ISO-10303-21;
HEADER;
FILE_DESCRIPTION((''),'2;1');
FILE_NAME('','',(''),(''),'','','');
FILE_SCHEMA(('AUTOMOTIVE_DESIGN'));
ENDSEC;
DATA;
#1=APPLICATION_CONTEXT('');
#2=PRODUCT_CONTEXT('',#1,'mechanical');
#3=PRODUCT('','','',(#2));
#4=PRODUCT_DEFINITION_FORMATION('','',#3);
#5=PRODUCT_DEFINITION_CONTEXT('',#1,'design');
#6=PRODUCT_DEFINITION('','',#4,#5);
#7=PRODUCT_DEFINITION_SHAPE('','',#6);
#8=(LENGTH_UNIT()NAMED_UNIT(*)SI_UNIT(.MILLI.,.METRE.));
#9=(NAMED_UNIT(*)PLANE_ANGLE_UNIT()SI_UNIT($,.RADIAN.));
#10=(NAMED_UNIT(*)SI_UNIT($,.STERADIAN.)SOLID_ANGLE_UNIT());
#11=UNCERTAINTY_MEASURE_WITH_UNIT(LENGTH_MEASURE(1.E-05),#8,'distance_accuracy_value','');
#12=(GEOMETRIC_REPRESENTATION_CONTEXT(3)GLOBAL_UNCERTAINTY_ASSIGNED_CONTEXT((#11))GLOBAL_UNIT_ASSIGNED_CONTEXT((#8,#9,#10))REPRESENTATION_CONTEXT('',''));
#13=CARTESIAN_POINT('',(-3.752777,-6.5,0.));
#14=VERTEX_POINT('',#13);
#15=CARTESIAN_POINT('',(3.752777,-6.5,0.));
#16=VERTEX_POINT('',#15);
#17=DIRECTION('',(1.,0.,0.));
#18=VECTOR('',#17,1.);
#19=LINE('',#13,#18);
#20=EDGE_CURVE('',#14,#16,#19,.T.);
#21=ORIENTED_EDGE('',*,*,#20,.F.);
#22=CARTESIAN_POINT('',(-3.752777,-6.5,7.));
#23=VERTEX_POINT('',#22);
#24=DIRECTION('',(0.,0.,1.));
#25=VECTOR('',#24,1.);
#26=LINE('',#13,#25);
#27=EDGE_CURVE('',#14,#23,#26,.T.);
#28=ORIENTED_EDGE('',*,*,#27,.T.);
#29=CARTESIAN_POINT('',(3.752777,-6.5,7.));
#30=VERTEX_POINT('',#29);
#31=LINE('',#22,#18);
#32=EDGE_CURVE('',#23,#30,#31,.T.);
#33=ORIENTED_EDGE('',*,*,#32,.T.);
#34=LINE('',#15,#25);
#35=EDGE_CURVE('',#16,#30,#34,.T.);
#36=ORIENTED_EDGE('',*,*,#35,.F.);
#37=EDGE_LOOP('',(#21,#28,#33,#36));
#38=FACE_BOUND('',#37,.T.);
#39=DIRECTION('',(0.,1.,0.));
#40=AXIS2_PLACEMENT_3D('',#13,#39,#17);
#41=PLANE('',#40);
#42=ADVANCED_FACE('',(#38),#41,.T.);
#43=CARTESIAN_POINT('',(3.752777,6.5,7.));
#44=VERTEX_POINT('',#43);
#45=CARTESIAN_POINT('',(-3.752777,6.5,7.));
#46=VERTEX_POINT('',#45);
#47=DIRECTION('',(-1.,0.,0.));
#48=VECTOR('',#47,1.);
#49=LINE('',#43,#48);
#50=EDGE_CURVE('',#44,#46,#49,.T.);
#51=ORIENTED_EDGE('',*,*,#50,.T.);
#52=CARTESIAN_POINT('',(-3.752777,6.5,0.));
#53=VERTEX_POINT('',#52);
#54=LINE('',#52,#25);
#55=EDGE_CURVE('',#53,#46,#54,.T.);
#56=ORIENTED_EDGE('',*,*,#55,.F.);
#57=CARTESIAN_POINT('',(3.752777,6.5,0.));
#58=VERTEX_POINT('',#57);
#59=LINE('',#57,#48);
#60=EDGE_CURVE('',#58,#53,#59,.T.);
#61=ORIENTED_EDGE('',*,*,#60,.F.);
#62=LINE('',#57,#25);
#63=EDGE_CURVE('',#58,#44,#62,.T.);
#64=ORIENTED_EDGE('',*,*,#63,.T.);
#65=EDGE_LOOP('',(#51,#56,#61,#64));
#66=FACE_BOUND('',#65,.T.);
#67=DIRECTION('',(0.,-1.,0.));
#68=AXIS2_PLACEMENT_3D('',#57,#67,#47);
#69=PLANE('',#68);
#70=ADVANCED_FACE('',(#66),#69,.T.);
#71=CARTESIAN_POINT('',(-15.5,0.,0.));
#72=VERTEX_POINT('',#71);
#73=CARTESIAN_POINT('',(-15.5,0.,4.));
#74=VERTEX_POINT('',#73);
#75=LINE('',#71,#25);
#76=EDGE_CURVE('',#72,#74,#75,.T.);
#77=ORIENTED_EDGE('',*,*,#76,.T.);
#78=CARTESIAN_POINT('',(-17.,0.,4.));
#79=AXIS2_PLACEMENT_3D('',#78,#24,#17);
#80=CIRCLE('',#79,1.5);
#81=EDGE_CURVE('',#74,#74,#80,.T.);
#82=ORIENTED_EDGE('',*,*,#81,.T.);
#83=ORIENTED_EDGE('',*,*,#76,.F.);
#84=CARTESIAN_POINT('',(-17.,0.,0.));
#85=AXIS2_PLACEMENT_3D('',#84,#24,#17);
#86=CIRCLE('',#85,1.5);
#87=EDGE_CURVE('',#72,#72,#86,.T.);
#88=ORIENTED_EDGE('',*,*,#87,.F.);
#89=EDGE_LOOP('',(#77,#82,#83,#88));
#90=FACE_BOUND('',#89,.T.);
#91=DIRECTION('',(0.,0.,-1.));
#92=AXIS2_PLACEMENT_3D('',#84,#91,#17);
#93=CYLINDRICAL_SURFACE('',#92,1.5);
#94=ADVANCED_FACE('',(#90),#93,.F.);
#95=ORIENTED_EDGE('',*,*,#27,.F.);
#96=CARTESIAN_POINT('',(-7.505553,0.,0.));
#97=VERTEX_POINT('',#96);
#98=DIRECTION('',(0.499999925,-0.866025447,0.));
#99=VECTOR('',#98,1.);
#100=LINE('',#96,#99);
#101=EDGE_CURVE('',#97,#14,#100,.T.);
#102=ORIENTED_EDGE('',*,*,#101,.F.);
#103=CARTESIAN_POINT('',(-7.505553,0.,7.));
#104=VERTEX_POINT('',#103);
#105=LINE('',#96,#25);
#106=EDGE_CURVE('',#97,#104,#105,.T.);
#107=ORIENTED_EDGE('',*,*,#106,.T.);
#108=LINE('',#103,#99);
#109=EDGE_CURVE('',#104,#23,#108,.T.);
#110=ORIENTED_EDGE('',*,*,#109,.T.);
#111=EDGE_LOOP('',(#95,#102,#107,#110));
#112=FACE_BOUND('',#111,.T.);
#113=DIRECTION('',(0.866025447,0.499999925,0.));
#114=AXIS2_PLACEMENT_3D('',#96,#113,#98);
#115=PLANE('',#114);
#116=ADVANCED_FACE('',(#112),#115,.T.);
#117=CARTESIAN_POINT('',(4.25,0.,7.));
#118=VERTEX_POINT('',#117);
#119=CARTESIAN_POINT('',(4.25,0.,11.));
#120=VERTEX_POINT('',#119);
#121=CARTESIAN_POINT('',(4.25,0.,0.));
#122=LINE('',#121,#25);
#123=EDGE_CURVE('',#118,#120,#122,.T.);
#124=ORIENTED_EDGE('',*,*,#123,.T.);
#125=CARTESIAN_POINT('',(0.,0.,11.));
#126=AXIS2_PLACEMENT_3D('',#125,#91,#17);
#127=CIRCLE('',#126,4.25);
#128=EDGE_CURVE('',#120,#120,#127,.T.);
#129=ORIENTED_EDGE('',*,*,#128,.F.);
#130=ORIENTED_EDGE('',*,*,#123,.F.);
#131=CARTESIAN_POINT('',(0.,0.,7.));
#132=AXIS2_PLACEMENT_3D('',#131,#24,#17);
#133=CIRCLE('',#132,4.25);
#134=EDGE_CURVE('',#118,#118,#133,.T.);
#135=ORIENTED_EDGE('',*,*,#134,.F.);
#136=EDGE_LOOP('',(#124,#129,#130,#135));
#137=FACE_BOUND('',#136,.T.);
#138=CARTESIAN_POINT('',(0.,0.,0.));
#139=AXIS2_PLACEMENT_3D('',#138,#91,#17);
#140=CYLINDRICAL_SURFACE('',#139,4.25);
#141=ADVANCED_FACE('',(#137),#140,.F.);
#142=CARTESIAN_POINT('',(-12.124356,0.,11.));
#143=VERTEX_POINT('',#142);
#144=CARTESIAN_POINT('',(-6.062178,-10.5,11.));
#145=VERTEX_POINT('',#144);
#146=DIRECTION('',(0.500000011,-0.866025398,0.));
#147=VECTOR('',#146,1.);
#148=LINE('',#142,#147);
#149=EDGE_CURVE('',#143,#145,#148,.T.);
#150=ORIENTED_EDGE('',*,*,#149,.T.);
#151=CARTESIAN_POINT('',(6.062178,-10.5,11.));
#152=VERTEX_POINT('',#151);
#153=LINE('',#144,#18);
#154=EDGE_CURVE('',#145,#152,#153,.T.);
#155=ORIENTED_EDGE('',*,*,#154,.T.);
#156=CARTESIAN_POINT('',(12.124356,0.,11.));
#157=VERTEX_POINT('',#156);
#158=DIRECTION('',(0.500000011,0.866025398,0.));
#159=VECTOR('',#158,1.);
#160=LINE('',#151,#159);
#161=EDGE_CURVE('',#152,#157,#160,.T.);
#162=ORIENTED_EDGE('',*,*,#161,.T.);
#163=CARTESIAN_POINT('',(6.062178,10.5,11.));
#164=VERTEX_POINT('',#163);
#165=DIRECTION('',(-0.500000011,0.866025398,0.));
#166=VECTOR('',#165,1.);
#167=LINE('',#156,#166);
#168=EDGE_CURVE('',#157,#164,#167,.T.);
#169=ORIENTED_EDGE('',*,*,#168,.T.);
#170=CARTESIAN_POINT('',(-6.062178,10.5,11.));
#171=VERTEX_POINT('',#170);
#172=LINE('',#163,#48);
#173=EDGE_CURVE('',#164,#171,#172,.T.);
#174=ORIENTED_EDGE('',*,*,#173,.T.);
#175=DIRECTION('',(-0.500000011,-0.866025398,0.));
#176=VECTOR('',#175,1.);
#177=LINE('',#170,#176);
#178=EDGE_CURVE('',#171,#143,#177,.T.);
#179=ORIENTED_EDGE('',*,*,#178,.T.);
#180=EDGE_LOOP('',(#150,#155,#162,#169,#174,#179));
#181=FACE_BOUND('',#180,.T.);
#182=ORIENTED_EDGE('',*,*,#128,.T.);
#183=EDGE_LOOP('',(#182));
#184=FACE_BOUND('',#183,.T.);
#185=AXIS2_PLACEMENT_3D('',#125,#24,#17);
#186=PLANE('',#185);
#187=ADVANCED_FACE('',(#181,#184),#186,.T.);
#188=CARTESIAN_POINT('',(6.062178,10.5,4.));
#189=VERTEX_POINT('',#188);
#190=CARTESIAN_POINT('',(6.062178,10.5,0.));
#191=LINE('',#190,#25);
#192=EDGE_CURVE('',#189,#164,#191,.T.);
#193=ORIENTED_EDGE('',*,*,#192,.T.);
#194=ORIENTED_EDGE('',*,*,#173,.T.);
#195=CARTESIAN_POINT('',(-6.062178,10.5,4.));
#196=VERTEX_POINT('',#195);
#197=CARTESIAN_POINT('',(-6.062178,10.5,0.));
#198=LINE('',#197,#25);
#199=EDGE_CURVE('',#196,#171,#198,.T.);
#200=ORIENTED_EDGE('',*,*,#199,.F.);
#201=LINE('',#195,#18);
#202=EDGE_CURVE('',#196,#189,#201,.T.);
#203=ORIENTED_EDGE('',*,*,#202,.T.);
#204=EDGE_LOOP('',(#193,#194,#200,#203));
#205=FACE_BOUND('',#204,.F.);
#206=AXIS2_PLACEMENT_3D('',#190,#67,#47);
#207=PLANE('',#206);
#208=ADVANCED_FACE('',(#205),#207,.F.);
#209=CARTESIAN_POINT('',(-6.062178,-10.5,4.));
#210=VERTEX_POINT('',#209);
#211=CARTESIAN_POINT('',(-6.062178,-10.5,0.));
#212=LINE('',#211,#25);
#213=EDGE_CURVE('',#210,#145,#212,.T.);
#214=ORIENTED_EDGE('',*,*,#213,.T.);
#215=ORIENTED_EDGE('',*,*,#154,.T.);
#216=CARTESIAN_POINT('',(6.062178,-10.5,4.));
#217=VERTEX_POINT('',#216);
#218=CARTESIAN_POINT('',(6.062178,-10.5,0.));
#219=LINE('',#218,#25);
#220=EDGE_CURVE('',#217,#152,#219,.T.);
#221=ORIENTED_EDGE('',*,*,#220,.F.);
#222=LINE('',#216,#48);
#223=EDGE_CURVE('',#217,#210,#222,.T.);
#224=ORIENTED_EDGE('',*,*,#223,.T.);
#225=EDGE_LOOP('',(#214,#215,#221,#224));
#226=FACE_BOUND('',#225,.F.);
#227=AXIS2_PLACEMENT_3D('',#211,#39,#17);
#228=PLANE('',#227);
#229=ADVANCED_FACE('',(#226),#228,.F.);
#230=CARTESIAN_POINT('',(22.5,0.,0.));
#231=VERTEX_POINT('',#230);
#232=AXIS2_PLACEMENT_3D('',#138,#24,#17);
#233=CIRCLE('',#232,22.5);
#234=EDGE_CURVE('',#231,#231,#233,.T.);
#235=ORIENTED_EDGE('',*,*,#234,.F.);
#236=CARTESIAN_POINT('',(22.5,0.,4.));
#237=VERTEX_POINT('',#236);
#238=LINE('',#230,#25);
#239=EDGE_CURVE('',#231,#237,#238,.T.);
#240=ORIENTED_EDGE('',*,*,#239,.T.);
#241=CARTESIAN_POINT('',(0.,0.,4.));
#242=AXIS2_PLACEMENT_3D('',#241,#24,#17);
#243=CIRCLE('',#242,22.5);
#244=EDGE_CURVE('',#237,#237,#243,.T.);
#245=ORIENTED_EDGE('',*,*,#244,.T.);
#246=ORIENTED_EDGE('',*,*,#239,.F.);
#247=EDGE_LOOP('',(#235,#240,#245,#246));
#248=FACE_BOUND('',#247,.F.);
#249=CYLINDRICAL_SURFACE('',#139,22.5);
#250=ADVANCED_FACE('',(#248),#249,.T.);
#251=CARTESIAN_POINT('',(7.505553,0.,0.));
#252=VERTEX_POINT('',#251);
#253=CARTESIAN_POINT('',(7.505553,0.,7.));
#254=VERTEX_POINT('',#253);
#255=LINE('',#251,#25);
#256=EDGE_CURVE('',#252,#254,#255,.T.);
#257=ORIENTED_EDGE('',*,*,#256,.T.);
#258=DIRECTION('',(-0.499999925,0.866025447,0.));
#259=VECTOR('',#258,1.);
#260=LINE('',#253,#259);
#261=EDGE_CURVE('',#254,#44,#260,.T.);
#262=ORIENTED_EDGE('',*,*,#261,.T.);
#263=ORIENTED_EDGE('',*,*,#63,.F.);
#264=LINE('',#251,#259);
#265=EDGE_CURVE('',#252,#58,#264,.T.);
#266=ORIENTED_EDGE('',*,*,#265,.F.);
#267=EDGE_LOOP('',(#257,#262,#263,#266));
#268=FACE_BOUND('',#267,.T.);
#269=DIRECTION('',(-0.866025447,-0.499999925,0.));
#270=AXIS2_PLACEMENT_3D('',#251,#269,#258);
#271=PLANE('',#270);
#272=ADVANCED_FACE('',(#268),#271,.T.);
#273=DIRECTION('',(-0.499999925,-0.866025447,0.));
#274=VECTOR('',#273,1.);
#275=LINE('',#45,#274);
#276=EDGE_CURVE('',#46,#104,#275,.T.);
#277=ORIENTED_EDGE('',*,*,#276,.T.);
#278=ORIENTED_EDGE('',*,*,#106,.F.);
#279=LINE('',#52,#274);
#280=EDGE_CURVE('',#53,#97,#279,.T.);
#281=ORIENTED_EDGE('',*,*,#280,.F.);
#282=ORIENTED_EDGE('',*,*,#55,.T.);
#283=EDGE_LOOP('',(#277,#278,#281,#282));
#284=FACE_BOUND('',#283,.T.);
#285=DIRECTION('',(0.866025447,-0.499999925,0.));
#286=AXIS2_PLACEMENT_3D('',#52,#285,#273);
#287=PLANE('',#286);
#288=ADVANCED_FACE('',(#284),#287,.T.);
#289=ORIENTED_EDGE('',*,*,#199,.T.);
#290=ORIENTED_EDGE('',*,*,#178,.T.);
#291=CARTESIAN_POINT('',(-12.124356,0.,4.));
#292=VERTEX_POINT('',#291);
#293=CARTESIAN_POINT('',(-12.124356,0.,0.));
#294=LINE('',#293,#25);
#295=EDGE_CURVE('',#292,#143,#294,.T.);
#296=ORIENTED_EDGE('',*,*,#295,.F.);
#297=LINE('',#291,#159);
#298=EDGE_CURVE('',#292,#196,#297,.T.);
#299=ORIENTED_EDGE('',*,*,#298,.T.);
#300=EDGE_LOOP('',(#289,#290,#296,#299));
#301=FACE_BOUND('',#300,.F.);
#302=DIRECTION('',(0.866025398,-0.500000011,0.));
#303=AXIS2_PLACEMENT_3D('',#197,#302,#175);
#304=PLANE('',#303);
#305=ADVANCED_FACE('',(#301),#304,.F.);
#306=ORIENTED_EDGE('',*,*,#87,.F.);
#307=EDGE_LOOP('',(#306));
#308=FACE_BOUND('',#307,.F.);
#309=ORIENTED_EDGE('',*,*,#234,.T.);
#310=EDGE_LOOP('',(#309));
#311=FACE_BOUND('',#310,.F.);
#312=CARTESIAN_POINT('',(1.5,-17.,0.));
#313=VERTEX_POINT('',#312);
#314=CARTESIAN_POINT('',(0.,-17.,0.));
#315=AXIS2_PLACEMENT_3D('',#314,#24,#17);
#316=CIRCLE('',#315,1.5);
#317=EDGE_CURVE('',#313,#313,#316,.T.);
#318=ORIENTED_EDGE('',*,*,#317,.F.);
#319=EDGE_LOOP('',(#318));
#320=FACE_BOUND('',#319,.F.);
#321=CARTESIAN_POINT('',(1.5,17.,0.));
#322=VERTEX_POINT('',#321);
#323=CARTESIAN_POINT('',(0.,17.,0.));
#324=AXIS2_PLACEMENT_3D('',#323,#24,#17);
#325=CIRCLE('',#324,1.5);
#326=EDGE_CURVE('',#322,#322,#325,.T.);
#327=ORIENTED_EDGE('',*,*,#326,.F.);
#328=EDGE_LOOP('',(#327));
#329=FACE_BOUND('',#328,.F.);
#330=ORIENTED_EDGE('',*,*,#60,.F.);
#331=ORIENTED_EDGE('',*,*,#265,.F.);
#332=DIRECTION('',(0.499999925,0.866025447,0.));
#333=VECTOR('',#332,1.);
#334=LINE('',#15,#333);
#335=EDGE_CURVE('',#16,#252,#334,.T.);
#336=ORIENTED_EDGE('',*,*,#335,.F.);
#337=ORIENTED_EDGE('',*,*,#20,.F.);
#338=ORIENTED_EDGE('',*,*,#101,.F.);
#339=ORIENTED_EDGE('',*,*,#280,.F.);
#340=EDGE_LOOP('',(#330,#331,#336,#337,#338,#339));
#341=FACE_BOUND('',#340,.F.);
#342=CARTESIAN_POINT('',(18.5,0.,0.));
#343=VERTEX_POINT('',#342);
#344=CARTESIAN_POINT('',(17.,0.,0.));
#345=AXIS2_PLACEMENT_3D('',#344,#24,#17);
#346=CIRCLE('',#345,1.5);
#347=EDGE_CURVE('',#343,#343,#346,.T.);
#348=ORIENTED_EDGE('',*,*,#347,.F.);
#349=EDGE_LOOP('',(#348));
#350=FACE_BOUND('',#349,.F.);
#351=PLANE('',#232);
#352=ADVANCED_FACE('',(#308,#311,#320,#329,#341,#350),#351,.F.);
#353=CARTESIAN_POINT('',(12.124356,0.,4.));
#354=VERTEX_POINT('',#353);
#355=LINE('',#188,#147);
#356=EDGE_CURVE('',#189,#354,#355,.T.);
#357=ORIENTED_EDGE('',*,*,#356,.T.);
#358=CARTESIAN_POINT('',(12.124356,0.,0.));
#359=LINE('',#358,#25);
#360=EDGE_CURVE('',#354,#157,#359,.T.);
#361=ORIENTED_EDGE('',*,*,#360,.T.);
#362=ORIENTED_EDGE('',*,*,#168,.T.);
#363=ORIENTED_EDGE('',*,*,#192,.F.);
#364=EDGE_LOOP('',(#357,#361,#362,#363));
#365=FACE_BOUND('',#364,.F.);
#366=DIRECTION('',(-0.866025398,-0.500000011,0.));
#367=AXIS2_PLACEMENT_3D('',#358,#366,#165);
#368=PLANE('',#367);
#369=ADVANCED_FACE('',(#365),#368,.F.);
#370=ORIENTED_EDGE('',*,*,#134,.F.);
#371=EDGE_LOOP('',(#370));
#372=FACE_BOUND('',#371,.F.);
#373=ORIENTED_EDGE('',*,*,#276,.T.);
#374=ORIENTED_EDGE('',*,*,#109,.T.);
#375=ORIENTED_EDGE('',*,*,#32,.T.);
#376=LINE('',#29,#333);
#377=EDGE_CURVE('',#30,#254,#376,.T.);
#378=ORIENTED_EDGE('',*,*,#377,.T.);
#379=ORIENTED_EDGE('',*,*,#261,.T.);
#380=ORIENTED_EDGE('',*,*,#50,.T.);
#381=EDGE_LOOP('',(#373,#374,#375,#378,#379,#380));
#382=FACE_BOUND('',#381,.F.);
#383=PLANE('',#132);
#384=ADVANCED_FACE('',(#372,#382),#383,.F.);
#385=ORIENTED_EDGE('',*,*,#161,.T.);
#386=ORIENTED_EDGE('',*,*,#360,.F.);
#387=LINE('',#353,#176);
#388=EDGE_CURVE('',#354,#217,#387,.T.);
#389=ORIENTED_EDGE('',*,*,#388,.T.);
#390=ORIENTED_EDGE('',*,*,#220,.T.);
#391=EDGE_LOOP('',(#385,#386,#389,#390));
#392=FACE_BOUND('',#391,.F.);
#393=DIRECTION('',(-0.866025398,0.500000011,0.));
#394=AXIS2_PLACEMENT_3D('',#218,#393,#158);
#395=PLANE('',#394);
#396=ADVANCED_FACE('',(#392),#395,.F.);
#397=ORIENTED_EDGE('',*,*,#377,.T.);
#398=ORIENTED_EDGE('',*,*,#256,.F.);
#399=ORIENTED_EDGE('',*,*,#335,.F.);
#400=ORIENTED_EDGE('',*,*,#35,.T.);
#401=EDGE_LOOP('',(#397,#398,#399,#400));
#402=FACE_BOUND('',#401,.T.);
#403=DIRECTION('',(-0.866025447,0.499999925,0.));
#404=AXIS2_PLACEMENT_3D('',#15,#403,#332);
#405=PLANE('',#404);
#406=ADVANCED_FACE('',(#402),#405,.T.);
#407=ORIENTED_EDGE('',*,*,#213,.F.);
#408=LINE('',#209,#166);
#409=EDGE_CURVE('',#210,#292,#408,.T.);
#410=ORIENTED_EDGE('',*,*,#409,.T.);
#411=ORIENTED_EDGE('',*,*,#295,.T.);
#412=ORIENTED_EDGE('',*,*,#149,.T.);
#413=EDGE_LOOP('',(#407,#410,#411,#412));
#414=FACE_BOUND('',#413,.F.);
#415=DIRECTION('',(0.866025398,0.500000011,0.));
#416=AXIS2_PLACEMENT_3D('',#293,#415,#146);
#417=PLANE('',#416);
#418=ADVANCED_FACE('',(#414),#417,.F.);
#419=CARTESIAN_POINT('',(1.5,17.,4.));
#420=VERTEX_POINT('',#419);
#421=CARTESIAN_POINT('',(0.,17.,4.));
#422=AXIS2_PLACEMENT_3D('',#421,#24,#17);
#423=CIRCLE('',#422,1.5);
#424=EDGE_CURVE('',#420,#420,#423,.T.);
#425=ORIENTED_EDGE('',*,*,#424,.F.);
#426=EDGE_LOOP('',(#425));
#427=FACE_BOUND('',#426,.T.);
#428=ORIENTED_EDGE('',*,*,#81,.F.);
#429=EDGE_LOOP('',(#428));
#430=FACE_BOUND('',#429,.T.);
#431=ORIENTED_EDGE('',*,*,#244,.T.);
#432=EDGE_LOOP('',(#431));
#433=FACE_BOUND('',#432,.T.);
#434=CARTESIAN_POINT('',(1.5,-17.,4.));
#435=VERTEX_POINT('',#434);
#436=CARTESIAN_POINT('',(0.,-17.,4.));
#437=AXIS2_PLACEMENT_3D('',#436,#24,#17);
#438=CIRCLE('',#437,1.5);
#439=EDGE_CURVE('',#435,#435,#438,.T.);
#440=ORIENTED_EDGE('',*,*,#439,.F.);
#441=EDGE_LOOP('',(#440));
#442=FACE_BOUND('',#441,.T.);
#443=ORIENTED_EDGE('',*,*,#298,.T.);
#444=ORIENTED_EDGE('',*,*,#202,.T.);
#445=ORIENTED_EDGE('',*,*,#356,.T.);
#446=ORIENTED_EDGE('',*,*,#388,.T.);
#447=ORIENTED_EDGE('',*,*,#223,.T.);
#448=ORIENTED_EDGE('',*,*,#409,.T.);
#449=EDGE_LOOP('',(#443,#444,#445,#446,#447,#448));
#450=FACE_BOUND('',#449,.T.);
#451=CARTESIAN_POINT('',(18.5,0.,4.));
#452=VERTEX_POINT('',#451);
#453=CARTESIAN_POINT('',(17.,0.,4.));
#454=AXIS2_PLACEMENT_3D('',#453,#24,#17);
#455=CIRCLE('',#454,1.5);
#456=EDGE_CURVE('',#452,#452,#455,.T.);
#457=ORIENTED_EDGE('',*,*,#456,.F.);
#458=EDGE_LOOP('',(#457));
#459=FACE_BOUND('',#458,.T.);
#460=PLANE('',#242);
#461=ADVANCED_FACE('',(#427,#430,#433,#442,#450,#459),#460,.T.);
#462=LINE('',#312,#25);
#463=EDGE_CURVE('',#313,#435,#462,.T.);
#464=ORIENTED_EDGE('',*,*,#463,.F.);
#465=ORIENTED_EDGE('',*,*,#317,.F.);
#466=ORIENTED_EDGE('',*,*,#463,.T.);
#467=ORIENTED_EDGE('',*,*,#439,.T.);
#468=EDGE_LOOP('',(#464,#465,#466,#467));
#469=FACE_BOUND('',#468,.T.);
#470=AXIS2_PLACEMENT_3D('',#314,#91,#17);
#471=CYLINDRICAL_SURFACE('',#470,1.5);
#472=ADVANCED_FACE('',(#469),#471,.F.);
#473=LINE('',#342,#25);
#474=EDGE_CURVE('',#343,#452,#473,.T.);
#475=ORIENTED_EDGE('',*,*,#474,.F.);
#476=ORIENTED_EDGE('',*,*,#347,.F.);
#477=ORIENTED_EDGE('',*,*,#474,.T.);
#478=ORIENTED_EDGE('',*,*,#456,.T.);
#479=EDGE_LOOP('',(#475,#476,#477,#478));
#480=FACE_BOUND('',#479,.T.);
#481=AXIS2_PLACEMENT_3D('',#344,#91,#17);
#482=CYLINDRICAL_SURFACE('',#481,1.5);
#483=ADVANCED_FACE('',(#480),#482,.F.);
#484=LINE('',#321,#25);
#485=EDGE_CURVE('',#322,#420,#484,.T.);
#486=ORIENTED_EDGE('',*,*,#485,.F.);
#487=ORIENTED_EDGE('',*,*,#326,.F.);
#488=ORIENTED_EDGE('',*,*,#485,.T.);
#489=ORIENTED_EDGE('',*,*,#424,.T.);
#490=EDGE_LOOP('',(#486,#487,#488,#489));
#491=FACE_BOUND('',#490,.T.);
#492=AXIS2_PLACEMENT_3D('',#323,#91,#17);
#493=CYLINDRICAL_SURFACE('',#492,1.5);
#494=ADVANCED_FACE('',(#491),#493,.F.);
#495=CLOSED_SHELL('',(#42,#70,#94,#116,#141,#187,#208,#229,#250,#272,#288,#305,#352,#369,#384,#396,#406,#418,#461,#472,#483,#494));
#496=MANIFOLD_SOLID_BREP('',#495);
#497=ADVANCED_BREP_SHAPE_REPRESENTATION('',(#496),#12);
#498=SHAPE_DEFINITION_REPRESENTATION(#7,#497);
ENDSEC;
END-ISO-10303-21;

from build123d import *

# Parameters (mm, degrees)
F0_R     = 22.5
F0_R_2   = 1.5
F0_R_3   = 3.75
F1_DEPTH = 4
F0_R_4   = 4.25
F2_DEPTH = 11
F3_DEPTH = 25
F4_DEPTH = 7


with BuildPart() as f1:
    # F0 (on Top) → F1 (new body)
    with BuildSketch(Plane.XY):
        Circle(F0_R)
        with Locations((0, -17)):
            Circle(F0_R_2, mode=Mode.SUBTRACT)
        with Locations((-17, 0)):
            Circle(F0_R_3, mode=Mode.SUBTRACT)
        Polygon((6.062178, -10.5), (-6.062178, -10.5), (-12.124356, 0), (-6.062178, 10.5), (6.062178, 10.5), (12.124356, 0), align=None, mode=Mode.SUBTRACT)
        with Locations((17, 0)):
            Circle(F0_R_2, mode=Mode.SUBTRACT)
        with Locations((0, 17)):
            Circle(F0_R_2, mode=Mode.SUBTRACT)
        with Locations((-17, 0)):
            Circle(F0_R_3)
        with Locations((-17, 0)):
            Circle(F0_R_2, mode=Mode.SUBTRACT)
    extrude(amount=F1_DEPTH)

    # F0 (on Top) → F2 (join)
    with BuildSketch(Plane.XY):
        Polygon((-12.124356, 0), (-6.062178, -10.5), (6.062178, -10.5), (12.124356, 0), (6.062178, 10.5), (-6.062178, 10.5), align=None)
        Polygon((7.505553, 0), (3.752777, -6.5), (-3.752777, -6.5), (-7.505553, 0), (-3.752777, 6.5), (3.752777, 6.5), align=None, mode=Mode.SUBTRACT)
        Polygon((-3.752777, -6.5), (3.752777, -6.5), (7.505553, 0), (3.752777, 6.5), (-3.752777, 6.5), (-7.505553, 0), align=None)
        Circle(F0_R_4, mode=Mode.SUBTRACT)
        Circle(F0_R_4)
    extrude(amount=F2_DEPTH)

    # F0 (on Top) → F3 (cut)
    with BuildSketch(Plane.XY):
        Circle(F0_R_4)
    extrude(amount=F3_DEPTH, mode=Mode.SUBTRACT)

    # F0 (on Top) → F4 (cut)
    with BuildSketch(Plane.XY):
        Polygon((-3.752777, -6.5), (3.752777, -6.5), (7.505553, 0), (3.752777, 6.5), (-3.752777, 6.5), (-7.505553, 0), align=None)
        Circle(F0_R_4, mode=Mode.SUBTRACT)
    extrude(amount=F4_DEPTH, mode=Mode.SUBTRACT)


solid = f1.part
